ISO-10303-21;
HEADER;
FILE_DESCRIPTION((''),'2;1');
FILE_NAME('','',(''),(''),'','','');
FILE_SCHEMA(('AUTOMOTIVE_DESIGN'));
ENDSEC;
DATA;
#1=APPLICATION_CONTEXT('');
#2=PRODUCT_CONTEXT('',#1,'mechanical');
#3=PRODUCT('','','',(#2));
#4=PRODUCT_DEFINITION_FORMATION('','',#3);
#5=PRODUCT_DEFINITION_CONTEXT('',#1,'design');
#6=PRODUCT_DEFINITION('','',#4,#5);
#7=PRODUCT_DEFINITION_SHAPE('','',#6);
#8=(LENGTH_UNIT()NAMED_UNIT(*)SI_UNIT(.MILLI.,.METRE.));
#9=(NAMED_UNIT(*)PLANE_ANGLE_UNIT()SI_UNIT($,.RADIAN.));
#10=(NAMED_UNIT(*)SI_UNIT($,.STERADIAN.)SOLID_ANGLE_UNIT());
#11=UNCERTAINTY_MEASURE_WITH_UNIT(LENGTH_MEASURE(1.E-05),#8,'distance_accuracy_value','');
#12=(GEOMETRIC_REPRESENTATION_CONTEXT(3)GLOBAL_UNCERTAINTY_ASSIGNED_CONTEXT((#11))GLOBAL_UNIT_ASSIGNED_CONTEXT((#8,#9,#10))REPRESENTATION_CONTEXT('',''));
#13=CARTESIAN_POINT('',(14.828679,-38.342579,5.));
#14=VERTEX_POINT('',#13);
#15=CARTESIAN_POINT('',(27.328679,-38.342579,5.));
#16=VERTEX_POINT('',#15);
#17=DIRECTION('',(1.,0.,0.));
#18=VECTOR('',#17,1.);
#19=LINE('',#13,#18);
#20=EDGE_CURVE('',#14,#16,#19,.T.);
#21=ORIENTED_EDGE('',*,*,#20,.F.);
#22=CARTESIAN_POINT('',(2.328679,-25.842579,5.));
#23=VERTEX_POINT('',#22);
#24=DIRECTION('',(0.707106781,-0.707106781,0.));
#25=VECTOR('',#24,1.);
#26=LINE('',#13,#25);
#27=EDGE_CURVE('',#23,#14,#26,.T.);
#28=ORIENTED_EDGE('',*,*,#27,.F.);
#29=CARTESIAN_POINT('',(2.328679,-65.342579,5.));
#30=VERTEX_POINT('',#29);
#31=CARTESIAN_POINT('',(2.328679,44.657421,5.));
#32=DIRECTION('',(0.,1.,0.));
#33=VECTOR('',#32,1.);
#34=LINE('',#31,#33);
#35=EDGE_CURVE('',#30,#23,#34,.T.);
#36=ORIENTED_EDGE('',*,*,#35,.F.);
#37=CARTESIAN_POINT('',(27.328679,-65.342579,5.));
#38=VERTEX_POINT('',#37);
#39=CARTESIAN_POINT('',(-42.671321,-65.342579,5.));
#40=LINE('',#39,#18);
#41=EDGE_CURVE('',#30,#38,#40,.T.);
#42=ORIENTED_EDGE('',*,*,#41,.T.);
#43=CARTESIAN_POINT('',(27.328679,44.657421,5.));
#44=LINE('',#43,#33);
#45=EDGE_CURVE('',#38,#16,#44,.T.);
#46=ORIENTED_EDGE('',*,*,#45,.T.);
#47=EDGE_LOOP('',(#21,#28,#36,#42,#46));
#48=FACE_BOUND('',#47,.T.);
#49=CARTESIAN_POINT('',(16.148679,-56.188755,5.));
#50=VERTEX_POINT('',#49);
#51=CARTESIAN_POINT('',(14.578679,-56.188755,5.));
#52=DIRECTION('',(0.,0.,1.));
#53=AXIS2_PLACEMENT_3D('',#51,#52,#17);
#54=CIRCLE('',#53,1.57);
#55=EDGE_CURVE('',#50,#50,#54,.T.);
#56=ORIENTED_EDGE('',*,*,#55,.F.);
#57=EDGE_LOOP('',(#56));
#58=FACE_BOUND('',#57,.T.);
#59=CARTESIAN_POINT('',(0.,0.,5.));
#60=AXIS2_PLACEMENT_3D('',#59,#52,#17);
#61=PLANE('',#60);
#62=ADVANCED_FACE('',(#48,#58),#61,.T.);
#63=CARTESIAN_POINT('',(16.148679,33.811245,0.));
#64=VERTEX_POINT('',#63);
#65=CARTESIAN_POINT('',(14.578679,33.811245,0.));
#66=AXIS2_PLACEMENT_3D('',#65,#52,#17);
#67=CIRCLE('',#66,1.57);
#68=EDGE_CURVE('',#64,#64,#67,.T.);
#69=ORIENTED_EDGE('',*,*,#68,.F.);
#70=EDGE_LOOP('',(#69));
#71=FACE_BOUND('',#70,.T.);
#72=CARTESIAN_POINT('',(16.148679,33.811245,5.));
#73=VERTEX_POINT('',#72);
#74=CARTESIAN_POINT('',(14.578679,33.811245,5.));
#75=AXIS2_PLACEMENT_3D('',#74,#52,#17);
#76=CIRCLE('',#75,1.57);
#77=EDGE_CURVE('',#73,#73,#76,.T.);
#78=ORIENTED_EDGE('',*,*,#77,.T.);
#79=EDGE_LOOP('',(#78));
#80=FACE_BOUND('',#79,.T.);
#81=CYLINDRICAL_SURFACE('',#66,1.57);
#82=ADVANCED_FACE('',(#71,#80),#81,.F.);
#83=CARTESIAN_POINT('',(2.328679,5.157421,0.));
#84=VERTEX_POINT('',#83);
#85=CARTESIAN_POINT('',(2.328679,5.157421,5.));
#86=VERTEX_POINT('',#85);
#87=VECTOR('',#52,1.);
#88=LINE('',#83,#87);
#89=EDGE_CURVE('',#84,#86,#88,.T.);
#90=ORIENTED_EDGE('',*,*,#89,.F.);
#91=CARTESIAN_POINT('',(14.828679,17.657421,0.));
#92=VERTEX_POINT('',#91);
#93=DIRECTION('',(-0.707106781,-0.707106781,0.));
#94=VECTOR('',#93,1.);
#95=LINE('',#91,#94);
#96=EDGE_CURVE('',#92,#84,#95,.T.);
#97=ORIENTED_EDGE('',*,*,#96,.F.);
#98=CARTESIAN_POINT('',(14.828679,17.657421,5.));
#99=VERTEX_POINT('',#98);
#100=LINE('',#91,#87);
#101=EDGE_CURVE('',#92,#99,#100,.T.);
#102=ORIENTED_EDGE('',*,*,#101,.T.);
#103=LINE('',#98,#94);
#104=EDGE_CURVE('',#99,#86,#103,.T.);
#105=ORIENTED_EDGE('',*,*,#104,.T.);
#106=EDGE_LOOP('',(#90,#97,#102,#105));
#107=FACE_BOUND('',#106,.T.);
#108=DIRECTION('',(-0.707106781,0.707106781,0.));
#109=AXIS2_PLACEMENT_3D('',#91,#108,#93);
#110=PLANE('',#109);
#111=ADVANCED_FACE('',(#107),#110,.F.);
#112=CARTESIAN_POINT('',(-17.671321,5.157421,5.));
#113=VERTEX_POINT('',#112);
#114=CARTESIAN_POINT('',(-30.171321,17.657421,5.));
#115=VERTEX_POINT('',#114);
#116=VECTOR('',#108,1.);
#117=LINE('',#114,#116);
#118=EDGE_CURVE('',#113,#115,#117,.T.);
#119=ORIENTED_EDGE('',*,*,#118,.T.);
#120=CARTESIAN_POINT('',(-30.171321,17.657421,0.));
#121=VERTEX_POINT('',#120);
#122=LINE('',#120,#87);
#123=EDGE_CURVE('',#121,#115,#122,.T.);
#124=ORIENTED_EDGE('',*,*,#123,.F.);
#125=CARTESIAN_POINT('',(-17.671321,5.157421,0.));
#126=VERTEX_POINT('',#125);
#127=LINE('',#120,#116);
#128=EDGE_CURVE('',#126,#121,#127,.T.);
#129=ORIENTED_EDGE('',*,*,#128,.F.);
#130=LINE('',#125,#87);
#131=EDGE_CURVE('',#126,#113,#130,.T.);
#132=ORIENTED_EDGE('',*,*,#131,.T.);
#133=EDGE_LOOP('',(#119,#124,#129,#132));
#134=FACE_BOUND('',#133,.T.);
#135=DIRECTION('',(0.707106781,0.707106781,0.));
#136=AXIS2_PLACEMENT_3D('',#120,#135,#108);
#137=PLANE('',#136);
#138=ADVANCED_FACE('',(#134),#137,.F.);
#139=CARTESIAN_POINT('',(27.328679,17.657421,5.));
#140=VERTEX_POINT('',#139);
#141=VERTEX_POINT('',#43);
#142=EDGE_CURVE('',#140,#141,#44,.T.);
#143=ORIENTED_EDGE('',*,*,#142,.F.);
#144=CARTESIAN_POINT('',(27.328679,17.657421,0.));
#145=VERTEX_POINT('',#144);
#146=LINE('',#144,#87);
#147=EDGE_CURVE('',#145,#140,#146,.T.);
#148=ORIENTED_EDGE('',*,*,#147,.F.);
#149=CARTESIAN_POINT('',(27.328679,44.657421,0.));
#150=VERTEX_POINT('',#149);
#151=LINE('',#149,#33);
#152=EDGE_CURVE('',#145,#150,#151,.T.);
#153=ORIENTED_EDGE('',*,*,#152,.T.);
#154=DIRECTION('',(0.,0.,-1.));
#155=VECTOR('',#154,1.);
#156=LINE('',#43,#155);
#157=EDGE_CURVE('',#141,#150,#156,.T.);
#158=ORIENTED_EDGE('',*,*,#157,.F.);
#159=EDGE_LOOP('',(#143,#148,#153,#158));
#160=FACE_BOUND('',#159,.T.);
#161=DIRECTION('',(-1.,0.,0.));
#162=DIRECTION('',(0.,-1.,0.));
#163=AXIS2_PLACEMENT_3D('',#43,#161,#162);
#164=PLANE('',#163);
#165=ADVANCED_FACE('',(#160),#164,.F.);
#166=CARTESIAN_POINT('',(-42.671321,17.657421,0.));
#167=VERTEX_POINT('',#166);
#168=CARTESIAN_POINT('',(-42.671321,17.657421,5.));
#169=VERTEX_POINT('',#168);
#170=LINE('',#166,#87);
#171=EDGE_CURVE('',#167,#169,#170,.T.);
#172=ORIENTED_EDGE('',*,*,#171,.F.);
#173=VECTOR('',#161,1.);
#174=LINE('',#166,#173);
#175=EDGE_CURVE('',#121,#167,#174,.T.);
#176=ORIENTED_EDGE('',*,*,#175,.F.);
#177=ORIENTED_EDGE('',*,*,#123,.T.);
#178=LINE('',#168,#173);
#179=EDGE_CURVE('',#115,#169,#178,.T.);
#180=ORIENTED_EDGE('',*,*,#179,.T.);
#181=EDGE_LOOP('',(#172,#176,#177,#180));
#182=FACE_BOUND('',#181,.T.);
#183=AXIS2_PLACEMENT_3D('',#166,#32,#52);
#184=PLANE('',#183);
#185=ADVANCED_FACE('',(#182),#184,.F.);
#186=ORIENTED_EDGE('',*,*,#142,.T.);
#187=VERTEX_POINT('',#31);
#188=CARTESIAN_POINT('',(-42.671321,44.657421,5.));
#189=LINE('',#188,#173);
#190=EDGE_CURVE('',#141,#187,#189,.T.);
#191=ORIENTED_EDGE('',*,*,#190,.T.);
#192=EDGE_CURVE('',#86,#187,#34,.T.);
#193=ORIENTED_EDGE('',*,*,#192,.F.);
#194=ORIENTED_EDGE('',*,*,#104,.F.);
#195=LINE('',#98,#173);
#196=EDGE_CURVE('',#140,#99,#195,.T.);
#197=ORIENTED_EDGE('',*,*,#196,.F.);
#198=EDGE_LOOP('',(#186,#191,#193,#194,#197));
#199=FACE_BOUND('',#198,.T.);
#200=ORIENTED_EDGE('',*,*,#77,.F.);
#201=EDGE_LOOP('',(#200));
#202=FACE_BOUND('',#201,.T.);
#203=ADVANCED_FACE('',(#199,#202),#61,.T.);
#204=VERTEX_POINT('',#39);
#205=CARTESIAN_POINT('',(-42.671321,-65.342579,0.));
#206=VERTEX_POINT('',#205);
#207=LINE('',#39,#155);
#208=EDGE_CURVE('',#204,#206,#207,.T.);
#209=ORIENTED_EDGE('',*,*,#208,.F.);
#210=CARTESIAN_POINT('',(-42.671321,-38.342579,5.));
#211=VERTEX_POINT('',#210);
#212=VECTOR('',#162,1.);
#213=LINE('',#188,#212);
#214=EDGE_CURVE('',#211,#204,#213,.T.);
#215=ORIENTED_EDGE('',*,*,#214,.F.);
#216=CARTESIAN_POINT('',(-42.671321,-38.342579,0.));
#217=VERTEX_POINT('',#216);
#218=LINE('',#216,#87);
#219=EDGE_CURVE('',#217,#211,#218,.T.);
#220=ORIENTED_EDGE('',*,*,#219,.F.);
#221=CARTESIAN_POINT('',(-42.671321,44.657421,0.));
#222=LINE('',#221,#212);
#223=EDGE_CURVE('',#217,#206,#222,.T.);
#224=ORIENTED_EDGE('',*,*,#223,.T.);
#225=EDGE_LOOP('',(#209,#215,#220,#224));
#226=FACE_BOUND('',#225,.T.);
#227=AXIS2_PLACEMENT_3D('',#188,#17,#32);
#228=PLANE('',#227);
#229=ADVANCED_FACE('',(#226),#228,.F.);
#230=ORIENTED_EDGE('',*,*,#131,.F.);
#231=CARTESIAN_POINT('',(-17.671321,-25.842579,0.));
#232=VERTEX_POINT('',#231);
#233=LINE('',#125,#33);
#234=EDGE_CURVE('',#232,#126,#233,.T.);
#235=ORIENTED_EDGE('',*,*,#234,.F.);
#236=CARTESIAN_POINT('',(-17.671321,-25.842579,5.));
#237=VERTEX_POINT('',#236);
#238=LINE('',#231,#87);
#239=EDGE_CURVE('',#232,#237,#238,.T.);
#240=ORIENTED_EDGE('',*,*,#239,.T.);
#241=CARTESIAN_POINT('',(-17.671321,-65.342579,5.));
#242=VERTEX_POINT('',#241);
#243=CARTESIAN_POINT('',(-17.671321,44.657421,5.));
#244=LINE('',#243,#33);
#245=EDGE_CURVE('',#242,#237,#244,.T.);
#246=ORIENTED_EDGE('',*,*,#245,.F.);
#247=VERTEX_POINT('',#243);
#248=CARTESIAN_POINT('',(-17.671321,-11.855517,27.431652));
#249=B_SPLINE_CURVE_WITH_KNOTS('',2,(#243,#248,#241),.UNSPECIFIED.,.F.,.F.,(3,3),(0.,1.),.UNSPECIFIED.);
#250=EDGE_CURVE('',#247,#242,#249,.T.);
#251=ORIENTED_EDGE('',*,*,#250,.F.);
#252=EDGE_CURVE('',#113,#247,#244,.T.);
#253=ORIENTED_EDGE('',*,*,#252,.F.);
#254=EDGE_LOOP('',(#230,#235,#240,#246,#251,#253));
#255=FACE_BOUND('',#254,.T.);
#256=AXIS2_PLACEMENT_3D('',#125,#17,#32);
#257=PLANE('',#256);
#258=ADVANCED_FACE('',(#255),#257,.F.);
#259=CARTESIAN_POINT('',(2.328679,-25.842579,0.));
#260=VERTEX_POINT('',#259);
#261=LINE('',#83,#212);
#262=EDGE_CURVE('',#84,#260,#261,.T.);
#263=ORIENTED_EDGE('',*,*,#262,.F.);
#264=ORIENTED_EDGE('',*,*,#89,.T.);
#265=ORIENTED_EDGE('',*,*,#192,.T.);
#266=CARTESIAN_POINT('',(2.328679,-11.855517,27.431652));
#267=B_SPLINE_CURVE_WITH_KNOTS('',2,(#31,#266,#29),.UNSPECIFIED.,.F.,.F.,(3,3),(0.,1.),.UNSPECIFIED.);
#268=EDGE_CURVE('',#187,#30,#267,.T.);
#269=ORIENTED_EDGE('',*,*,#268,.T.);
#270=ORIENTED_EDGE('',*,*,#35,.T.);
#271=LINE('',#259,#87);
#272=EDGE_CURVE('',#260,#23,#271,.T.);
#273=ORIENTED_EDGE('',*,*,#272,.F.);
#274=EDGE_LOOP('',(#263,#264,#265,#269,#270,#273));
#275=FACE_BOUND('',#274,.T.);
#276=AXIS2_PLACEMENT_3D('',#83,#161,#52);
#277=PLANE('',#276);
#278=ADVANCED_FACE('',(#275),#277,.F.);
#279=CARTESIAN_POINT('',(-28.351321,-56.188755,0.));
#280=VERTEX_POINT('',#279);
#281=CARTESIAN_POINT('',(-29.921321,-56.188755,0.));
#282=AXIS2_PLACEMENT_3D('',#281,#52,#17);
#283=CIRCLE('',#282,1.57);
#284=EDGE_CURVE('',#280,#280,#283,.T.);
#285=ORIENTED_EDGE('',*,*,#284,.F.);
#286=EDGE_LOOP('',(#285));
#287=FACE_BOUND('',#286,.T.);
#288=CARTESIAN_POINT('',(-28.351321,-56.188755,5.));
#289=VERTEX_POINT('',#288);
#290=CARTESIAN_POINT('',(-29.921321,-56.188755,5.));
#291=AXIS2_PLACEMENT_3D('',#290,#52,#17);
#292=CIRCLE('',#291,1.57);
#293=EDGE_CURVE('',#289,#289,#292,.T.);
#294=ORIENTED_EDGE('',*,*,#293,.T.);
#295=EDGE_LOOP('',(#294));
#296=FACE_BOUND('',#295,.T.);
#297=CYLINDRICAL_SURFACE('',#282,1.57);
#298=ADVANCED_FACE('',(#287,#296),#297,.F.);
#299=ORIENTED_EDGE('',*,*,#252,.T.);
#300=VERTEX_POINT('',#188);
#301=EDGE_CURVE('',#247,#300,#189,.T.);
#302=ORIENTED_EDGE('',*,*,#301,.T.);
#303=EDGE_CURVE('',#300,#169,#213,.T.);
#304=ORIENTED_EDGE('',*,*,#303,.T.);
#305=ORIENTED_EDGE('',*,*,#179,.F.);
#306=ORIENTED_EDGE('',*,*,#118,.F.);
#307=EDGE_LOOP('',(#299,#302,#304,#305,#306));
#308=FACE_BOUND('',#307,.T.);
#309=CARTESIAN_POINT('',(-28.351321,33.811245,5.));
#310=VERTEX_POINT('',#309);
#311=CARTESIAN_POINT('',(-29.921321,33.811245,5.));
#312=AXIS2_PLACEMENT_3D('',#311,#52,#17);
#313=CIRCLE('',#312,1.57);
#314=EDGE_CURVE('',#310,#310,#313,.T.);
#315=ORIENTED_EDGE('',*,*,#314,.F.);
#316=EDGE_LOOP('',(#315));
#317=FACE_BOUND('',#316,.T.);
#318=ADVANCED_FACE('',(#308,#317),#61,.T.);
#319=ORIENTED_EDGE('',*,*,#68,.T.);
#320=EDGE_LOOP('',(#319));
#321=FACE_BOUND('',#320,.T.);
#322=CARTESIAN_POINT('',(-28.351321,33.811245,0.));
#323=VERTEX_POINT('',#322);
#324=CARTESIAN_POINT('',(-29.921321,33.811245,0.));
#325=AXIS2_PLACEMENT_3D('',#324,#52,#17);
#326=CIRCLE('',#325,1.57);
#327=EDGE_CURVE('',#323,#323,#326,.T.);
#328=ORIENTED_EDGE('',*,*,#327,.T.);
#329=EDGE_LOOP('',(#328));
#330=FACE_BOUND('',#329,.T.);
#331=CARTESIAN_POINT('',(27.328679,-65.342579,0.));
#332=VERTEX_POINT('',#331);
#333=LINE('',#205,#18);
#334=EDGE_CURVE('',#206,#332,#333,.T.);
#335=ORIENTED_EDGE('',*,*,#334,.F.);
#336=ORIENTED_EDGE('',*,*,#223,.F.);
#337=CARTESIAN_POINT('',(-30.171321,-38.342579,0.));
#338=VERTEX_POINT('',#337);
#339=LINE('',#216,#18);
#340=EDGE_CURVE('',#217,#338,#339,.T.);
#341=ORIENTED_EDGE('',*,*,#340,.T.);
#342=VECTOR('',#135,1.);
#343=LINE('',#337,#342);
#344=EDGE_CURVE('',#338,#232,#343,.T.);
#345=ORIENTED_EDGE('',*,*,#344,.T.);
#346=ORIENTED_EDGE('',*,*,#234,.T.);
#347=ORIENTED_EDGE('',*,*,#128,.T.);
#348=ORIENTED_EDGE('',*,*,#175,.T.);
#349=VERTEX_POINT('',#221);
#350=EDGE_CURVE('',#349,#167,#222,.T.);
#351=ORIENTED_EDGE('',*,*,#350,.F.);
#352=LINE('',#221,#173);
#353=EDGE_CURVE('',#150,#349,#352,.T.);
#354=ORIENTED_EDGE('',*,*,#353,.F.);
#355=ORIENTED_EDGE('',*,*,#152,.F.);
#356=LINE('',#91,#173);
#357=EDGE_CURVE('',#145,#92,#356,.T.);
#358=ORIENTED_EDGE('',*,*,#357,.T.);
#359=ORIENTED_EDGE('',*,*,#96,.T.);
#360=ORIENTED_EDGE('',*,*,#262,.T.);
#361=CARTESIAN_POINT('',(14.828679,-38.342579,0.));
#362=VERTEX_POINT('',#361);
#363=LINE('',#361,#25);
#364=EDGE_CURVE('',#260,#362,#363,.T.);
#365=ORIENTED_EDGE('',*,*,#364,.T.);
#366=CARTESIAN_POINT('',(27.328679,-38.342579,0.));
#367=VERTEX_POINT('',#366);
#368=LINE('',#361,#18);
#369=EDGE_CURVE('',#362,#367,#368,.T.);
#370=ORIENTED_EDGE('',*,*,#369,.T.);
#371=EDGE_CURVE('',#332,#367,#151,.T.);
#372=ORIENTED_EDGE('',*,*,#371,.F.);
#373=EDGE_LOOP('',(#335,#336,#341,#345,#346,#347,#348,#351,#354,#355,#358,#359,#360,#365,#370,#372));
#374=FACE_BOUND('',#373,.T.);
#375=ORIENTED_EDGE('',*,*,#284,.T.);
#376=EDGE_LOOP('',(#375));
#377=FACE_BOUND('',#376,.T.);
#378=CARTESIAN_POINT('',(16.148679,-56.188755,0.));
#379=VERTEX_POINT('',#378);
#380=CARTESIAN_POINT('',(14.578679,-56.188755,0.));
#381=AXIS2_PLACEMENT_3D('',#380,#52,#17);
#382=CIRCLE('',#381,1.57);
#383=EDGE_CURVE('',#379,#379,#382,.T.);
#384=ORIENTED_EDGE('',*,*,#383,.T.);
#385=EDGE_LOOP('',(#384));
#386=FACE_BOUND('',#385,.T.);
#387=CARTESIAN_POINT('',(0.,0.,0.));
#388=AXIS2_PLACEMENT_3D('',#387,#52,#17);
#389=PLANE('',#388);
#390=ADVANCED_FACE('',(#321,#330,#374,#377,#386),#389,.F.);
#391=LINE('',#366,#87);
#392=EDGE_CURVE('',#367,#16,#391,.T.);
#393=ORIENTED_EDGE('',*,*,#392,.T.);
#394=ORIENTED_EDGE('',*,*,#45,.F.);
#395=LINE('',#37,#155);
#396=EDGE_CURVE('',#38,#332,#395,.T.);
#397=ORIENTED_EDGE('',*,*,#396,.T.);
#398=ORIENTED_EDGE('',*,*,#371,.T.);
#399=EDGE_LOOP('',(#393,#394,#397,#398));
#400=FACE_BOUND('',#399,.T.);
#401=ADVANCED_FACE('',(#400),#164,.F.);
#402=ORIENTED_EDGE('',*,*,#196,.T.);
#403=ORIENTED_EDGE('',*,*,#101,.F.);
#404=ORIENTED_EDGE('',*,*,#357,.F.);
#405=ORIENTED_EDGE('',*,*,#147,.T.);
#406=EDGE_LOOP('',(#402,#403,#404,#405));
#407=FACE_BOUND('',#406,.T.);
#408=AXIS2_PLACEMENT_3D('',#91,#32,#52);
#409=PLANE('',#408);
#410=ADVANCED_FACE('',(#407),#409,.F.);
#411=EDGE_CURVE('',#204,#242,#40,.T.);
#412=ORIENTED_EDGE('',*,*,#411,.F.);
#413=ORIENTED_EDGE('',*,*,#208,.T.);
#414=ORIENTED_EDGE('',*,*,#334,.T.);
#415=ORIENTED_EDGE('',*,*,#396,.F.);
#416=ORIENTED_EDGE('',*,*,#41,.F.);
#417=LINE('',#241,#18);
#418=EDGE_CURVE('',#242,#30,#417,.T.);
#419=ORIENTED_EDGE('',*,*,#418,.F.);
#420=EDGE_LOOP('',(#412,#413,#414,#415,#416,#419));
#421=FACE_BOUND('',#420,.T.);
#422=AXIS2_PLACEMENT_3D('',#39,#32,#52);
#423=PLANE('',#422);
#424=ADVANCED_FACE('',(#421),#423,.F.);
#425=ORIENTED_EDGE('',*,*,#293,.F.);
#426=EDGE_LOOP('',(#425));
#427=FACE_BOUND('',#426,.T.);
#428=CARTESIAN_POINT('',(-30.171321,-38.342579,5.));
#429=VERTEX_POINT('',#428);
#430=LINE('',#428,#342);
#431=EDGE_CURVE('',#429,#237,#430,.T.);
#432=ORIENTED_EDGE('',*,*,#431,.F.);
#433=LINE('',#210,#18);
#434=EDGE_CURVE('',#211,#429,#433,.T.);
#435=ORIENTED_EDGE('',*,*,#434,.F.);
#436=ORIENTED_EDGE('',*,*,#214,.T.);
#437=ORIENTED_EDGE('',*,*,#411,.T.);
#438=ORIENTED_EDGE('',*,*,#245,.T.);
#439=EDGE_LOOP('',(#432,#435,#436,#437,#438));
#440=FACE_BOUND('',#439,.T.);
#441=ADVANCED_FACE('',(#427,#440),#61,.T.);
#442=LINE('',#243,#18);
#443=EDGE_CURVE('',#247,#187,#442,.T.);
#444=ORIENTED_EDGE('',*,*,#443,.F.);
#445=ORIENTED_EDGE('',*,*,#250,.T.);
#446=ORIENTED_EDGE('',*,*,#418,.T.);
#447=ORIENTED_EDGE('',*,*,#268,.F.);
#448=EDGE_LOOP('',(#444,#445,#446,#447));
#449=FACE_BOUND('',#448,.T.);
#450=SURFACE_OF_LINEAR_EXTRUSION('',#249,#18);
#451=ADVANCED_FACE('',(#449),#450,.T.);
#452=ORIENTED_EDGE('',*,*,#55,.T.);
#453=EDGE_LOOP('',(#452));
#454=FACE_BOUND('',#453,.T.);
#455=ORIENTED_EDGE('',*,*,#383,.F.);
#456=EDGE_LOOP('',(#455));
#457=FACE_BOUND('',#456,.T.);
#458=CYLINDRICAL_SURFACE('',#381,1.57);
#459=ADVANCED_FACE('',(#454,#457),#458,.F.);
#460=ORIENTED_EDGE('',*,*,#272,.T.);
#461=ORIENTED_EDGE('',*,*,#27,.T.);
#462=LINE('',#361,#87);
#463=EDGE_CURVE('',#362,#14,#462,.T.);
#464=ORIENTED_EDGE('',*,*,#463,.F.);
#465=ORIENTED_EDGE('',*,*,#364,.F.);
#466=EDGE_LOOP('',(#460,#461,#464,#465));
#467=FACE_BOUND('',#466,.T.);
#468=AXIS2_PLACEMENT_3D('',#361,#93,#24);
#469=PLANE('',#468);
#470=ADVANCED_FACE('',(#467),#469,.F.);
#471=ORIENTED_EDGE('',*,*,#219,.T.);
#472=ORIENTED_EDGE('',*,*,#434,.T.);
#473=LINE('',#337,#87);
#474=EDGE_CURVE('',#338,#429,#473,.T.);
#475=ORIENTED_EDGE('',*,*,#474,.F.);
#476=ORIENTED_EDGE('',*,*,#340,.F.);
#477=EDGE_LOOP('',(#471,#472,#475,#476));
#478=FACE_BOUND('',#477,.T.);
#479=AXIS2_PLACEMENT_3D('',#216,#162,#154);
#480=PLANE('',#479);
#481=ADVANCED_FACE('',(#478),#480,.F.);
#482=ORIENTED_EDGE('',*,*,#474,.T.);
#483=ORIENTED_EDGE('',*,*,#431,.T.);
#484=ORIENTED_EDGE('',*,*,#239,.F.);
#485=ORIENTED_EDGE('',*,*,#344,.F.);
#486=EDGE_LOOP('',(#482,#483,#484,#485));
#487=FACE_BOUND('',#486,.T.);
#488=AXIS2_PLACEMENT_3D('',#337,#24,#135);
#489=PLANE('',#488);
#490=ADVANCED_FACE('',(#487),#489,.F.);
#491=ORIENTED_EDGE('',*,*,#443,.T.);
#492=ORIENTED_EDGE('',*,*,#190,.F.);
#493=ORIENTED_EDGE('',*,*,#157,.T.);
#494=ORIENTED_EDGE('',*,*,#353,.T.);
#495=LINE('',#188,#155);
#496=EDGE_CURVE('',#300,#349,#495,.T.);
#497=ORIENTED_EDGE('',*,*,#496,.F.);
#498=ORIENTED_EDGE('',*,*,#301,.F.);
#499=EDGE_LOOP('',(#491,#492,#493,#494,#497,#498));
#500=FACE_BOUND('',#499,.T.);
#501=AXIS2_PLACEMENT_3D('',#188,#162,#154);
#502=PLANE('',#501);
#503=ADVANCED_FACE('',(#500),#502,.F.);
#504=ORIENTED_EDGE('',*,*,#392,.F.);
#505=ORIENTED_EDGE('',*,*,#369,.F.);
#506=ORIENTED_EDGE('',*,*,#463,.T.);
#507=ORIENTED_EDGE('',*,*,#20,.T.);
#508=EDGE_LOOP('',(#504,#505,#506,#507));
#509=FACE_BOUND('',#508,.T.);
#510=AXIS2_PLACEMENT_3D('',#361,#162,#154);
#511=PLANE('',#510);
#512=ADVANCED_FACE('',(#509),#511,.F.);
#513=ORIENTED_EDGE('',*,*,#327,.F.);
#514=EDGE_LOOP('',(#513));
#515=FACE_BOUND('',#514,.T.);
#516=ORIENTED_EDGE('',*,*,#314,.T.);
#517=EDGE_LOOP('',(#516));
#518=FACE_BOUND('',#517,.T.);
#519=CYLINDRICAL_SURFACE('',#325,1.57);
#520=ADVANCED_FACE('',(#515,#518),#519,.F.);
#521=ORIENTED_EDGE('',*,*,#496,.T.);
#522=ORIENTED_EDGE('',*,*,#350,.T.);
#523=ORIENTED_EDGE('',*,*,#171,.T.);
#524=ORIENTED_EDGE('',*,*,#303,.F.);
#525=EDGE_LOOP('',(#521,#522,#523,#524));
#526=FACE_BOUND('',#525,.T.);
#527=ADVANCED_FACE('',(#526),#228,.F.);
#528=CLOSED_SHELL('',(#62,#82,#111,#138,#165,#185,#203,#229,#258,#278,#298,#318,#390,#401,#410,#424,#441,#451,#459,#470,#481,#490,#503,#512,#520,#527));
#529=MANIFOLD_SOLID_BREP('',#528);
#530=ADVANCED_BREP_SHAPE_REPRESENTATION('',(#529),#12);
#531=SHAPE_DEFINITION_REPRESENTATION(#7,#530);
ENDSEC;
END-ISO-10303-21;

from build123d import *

# Parameters (mm, degrees)
SKETCH_1_W          = 70
SKETCH_1_H          = 110
EXTRUDE_1_DEPTH     = 5
SKETCH_2_R          = 1.57
CUT_EXTRUDE_1_DEPTH = 5
CUT_EXTRUDE_2_DEPTH = 5
EXTRUDE_START       = -20
EXTRUDE_3_DEPTH     = 20


with BuildPart() as part:
    # 草图1 → 凸台-拉伸1 (new body)
    with BuildSketch(Plane.XY):
        with Locations((-7.671321449, -10.342578999)):
            Rectangle(SKETCH_1_W, SKETCH_1_H)
    extrude(amount=EXTRUDE_1_DEPTH)

    # 草图2 → 切除-拉伸1 (cut)
    with BuildSketch(Plane.XY.offset(5)):
        with Locations((-29.921321449, 33.811245296)):
            Circle(SKETCH_2_R)
        with Locations((14.578678551, 33.811245296)):
            Circle(SKETCH_2_R)
        with Locations((-29.921321449, -56.188754704)):
            Circle(SKETCH_2_R)
        with Locations((14.578678551, -56.188754704)):
            Circle(SKETCH_2_R)
    extrude(amount=-CUT_EXTRUDE_1_DEPTH, mode=Mode.SUBTRACT)

    # 草图3 → 切除-拉伸2 (cut)
    with BuildSketch(Plane.XY.offset(5)):
        Polygon((-42.671321449, 17.657421001), (-30.171321449, 17.657421001), (-17.671321449, 5.157421001), (-17.671321449, -25.842578999), (-30.171321449, -38.342578999), (-42.671321449, -38.342578999), align=None)
        Polygon((14.828678551, 17.657421001), (27.328678551, 17.657421001), (27.328678551, -38.342578999), (14.828678551, -38.342578999), (2.328678551, -25.842578999), (2.328678551, 5.157421001), align=None)
    extrude(amount=-CUT_EXTRUDE_2_DEPTH, mode=Mode.SUBTRACT)

    # 草图6 → 凸台-拉伸3 (add)
    with BuildSketch(Plane(origin=(2.328678551, 0, 0), x_dir=(0, 0, -1), z_dir=(1, 0, 0)).offset(EXTRUDE_START)):
        with BuildLine():
            Line((-5, 44.657421001), (-5, -65.342578999))
            add(Edge.make_bspline(
                [(-5, 44.657421001), (-27.43165177, -11.855516643), (-5, -65.342578999)],
                knots=[0, 0, 0, 1, 1, 1], degree=2))
        make_face()
    extrude(amount=EXTRUDE_3_DEPTH)


solid = part.part
